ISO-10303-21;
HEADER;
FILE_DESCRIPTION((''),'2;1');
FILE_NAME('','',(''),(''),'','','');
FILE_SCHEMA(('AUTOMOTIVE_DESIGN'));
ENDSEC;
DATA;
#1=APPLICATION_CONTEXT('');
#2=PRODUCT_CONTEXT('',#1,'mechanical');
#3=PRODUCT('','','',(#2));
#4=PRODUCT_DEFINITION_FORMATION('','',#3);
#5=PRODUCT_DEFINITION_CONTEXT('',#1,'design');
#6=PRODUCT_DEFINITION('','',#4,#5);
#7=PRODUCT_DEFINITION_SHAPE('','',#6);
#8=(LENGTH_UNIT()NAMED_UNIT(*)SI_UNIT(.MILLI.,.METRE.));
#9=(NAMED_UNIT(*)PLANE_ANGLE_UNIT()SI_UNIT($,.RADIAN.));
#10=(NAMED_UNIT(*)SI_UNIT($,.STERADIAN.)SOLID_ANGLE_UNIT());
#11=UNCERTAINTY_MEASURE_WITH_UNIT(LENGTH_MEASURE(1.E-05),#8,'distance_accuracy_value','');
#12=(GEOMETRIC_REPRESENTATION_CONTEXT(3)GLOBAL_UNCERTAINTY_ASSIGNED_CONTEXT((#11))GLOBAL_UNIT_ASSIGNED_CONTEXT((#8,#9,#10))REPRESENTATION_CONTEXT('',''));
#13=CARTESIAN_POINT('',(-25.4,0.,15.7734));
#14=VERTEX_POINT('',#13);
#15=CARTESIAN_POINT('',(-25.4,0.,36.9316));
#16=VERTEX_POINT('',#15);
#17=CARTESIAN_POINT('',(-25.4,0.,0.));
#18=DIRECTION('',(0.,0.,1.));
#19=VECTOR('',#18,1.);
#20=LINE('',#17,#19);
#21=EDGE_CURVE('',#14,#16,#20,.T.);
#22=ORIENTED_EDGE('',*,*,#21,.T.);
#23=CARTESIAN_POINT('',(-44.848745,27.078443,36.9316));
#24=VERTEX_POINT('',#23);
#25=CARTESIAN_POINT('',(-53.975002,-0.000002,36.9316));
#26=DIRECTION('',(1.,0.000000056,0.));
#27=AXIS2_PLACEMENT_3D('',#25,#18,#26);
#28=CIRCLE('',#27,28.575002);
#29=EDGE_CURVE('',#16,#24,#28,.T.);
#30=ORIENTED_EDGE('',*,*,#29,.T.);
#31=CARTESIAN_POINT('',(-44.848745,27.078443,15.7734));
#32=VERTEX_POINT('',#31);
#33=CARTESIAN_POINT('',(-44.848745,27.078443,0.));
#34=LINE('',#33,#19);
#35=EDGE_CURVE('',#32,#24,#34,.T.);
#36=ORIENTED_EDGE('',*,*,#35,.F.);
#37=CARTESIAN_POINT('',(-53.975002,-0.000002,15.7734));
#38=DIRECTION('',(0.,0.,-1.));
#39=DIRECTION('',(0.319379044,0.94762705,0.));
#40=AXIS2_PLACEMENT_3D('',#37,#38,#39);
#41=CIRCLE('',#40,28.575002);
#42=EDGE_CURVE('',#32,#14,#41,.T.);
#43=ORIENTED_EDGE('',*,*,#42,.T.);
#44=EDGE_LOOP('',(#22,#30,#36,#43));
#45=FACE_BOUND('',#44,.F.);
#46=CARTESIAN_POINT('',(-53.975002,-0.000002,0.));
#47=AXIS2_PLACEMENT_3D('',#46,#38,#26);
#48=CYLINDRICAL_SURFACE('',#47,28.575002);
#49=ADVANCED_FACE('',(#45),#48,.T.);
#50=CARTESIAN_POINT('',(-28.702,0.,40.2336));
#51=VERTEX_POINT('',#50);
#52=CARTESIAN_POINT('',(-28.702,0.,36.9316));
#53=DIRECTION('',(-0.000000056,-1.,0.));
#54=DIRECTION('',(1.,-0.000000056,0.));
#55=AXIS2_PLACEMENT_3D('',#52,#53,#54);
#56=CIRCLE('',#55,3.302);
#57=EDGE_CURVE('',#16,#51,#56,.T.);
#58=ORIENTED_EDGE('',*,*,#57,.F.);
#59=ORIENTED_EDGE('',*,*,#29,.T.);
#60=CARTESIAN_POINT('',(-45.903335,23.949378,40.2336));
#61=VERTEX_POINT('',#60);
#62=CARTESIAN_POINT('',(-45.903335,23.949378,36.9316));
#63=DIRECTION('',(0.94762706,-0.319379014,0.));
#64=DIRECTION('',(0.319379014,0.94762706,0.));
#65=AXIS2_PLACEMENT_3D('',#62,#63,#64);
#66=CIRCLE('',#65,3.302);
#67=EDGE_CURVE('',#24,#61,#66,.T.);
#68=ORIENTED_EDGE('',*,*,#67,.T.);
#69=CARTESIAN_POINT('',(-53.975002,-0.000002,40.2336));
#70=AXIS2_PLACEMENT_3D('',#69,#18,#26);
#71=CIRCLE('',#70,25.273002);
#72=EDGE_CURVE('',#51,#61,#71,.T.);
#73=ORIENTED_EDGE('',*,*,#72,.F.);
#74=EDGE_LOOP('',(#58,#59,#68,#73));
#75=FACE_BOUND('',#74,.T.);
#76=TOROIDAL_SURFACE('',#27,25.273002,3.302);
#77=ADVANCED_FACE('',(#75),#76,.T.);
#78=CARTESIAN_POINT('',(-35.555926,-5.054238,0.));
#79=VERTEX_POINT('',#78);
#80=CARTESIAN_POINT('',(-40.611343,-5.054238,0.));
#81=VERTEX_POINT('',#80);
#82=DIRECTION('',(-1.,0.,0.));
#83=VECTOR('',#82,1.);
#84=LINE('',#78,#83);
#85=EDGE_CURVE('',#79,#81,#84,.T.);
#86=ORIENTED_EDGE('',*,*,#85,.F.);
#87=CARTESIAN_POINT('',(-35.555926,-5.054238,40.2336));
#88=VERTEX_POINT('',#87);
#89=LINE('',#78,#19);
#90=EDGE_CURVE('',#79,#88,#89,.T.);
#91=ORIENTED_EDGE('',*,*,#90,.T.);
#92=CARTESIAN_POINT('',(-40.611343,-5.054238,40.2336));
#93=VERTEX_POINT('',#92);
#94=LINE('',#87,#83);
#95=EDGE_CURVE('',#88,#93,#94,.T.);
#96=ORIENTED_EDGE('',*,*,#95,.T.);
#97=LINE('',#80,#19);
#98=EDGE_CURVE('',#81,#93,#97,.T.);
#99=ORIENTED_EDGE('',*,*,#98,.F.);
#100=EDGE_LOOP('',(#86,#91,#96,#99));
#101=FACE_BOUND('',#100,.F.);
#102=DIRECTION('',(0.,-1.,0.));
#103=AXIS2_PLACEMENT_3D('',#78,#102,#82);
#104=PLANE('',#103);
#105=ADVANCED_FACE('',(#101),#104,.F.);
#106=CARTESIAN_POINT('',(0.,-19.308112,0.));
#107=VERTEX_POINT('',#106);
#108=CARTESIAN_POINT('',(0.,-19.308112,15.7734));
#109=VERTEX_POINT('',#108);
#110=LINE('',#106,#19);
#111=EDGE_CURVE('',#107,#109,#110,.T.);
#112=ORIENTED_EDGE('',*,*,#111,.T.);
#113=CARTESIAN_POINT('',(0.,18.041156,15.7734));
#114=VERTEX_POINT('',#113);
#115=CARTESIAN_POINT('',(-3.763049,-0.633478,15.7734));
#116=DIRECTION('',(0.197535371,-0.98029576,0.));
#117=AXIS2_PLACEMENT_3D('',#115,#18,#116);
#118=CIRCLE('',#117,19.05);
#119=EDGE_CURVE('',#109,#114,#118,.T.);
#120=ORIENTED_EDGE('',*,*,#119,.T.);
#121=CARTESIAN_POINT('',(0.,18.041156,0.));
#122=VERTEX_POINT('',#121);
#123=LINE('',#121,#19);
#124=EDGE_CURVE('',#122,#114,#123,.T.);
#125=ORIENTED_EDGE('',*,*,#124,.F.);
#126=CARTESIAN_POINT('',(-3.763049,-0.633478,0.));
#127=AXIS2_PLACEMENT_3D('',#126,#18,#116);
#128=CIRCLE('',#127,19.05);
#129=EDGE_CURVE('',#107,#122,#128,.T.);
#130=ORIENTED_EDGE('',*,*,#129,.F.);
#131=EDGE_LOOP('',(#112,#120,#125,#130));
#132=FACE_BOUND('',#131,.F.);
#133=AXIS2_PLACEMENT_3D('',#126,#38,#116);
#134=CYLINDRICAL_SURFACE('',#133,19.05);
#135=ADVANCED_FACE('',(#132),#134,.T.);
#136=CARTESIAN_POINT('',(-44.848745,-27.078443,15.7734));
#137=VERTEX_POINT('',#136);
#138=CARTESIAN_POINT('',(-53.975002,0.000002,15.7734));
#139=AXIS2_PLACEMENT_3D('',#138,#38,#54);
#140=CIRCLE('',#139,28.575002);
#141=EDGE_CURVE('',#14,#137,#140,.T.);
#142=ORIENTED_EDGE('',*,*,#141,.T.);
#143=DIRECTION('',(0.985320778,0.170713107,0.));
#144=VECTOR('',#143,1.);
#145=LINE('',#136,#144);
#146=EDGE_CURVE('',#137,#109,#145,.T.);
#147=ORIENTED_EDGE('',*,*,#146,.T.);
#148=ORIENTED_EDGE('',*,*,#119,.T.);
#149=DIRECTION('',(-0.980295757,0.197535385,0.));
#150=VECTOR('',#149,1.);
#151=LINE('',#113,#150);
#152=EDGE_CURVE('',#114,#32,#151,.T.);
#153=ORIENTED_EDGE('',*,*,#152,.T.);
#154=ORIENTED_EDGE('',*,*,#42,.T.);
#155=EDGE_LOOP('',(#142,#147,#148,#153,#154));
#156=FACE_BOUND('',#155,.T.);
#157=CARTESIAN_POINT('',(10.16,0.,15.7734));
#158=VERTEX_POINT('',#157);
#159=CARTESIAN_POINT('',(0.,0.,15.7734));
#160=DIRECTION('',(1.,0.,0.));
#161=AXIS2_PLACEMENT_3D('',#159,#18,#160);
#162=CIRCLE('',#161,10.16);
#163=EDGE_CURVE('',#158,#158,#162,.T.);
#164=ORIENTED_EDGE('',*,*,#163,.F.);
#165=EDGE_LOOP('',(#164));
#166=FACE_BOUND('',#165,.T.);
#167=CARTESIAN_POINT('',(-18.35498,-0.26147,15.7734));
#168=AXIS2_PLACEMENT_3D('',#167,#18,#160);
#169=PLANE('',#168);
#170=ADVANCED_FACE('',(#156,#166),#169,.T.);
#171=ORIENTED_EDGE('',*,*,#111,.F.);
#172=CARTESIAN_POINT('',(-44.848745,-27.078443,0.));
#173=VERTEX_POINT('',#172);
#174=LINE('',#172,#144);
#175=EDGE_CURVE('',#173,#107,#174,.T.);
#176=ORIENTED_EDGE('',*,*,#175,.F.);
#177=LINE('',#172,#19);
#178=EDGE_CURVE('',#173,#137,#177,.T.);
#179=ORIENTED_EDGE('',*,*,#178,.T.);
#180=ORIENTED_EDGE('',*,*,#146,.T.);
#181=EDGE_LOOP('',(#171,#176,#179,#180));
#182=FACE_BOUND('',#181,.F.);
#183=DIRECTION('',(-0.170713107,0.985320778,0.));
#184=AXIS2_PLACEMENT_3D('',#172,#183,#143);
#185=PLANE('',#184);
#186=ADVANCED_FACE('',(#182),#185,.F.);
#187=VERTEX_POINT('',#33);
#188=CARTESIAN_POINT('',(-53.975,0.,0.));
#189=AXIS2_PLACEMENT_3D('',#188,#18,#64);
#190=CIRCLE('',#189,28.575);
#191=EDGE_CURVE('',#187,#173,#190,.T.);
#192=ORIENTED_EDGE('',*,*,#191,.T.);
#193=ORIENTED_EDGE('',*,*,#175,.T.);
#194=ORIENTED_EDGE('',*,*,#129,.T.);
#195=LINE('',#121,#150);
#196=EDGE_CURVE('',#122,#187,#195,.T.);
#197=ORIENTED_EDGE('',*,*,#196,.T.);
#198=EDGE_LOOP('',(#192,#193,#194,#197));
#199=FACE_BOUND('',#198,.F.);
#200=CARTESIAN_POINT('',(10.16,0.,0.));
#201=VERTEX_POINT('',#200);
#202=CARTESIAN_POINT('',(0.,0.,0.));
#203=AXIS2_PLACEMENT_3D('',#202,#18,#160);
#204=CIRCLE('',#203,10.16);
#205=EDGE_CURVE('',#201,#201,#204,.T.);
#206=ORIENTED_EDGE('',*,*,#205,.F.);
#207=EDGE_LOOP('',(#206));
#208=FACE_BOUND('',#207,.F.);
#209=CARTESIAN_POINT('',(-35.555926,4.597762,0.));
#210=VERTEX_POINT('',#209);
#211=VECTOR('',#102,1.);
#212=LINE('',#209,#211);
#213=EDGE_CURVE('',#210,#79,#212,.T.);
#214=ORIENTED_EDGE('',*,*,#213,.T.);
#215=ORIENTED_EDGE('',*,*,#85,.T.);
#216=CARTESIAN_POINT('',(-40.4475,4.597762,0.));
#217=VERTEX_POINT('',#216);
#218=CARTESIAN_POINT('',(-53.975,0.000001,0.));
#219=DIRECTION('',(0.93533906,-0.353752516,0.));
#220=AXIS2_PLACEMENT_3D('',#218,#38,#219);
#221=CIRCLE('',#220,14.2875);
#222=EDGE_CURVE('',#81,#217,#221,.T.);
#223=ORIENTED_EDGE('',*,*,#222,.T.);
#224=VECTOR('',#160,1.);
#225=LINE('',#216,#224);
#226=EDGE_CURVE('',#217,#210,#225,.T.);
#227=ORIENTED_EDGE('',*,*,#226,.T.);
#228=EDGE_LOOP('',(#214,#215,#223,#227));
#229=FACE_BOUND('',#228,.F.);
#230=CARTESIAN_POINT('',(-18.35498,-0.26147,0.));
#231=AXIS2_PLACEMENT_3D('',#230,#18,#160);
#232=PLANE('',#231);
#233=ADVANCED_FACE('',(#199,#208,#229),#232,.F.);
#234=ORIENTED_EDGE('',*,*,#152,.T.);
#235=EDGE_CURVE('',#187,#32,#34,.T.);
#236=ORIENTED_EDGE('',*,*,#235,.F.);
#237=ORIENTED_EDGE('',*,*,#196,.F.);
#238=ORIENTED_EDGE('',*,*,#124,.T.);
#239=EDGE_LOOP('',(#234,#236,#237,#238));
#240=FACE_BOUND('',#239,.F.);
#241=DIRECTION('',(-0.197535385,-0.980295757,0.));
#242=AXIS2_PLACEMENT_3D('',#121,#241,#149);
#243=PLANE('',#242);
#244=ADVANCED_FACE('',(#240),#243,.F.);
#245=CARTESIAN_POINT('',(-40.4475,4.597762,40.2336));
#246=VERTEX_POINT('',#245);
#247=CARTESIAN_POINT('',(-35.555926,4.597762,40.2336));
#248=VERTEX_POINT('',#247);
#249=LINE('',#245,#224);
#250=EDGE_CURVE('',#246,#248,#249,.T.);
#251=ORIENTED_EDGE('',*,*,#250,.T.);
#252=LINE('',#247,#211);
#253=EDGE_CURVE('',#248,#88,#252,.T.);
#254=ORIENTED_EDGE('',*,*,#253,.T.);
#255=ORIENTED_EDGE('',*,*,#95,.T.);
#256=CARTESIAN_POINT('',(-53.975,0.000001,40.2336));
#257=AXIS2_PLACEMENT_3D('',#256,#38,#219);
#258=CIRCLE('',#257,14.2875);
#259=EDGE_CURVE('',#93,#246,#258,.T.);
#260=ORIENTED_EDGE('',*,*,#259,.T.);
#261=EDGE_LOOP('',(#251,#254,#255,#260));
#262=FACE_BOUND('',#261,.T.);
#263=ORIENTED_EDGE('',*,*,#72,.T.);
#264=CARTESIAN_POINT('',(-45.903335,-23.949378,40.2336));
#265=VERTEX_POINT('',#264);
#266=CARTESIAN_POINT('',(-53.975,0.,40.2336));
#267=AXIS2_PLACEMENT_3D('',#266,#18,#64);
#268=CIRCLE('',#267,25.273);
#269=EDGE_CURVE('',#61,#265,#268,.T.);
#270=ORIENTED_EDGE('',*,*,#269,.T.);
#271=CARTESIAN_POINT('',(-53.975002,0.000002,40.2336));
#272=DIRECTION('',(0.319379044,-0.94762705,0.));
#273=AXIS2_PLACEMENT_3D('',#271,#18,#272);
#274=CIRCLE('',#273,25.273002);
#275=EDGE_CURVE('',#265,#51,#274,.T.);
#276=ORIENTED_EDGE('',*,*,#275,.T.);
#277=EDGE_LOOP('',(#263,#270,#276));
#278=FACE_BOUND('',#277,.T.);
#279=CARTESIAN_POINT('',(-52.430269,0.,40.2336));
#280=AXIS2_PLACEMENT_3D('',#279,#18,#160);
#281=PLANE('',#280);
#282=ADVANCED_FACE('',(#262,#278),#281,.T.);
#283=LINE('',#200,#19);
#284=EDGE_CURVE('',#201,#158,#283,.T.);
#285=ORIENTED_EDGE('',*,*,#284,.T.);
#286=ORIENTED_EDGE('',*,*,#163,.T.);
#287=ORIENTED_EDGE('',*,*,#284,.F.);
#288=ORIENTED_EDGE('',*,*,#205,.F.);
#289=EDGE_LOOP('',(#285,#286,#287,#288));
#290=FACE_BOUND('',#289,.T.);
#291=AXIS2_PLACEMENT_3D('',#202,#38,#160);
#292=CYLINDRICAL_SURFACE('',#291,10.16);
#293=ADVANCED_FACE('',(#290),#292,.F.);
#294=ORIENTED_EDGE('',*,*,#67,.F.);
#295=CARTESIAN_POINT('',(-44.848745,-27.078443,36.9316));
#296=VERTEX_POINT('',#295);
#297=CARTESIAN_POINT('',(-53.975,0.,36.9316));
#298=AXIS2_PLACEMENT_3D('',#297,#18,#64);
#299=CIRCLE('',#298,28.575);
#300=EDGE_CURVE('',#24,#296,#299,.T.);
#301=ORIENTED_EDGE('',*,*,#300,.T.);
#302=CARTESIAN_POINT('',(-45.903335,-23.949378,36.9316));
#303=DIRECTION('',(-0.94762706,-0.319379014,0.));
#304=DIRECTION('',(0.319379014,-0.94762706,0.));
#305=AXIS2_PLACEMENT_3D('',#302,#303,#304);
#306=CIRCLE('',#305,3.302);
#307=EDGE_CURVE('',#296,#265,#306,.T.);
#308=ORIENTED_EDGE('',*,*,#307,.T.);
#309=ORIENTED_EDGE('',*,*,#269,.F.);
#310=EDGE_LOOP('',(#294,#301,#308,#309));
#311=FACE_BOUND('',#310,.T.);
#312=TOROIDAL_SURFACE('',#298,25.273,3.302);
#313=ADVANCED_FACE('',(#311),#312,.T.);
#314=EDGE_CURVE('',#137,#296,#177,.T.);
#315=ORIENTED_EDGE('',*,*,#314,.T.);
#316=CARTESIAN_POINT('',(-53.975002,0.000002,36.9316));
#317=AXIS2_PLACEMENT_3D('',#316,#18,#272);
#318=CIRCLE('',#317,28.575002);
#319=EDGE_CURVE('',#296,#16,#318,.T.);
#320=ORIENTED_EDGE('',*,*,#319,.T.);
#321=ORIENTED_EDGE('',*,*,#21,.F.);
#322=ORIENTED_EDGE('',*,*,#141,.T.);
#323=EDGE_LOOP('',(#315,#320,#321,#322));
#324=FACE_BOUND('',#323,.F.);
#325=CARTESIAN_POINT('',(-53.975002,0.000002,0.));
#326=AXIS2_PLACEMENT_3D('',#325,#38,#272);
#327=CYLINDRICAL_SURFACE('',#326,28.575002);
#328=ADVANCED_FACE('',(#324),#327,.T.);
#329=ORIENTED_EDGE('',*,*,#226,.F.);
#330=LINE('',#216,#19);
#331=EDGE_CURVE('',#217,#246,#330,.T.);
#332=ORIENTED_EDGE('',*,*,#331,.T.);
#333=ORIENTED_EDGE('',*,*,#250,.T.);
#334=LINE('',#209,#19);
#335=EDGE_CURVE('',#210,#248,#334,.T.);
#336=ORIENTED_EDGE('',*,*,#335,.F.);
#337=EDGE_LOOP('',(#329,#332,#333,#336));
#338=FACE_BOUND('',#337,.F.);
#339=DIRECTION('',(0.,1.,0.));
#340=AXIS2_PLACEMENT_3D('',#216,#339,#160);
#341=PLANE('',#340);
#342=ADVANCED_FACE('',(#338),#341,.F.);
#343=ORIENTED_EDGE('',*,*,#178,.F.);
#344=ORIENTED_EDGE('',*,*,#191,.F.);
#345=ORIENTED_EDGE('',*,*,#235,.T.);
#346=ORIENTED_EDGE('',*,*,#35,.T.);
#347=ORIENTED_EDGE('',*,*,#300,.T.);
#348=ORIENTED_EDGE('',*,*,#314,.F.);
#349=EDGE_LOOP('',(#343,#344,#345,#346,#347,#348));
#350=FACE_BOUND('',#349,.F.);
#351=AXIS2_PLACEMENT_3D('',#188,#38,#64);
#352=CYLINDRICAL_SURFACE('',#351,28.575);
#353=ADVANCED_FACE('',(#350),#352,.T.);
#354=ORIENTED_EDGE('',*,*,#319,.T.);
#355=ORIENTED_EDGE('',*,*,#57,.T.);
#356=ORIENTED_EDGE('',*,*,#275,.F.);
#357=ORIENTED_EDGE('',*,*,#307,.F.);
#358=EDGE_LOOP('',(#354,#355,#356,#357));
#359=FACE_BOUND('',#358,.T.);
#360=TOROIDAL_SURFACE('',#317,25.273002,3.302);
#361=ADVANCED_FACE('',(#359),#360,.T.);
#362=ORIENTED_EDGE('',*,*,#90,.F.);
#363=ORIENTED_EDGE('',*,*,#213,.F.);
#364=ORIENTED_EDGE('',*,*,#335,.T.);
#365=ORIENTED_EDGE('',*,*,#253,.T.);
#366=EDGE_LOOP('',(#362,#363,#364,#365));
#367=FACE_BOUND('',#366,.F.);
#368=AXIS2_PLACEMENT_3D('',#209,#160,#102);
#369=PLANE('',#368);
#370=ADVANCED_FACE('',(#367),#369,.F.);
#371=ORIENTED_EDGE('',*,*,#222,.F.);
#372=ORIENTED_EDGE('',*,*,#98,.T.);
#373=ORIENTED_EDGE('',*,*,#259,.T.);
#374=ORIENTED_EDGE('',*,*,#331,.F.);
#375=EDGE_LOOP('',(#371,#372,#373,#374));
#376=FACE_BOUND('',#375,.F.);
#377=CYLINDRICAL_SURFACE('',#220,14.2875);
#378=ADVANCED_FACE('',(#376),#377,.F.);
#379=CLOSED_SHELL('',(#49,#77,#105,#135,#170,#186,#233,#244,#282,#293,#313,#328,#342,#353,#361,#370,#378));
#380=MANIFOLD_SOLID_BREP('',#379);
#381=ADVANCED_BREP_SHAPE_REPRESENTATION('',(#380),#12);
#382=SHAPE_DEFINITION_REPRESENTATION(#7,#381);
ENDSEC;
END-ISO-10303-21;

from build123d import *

# Parameters (mm, degrees)
F1_DEPTH = 40.2336
F0_R     = 10.16
F2_DEPTH = 15.7734
F3_R     = 3.302


with BuildPart() as f1:
    # F0 (on Top) → F1 (new body)
    with BuildSketch(Plane.XY):
        with BuildLine():
            ThreePointArc((-44.848745, -27.078443), (-30.766022, -16.669551), (-25.4, 0))
            ThreePointArc((-25.4, 0), (-30.766022, 16.669551), (-44.848745, 27.078443))
            ThreePointArc((-44.848745, 27.078443), (-82.55, 0), (-44.848745, -27.078443))
        make_face()
        with BuildLine():
            ThreePointArc((-40.611343, -5.054238), (-68.260442, 0.242495), (-40.4475, 4.597762))
            Line((-40.4475, 4.597762), (-35.555926, 4.597762))
            Line((-35.555926, 4.597762), (-35.555926, -5.054238))
            Line((-35.555926, -5.054238), (-40.611343, -5.054238))
        make_face(mode=Mode.SUBTRACT)
    extrude(amount=F1_DEPTH)

    # F0 (on Top) → F2 (join)
    with BuildSketch(Plane.XY):
        with BuildLine():
            ThreePointArc((-44.848745, 27.078443), (-30.766022, 16.669551), (-25.4, 0))
            ThreePointArc((-25.4, 0), (-30.766022, -16.669551), (-44.848745, -27.078443))
            Line((-44.848745, -27.078443), (0, -19.308112))
            ThreePointArc((0, -19.308112), (15.286951, -0.633478), (0, 18.041156))
            Line((0, 18.041156), (-44.848745, 27.078443))
        make_face()
        Circle(F0_R, mode=Mode.SUBTRACT)
    extrude(amount=F2_DEPTH)

    # F3
    f3_edges = [f1.edges().sort_by_distance(p)[0] for p in [
        (-63.101255, 27.078443, 40.2336),
    ]]
    fillet(f3_edges, radius=F3_R)


solid = f1.part
